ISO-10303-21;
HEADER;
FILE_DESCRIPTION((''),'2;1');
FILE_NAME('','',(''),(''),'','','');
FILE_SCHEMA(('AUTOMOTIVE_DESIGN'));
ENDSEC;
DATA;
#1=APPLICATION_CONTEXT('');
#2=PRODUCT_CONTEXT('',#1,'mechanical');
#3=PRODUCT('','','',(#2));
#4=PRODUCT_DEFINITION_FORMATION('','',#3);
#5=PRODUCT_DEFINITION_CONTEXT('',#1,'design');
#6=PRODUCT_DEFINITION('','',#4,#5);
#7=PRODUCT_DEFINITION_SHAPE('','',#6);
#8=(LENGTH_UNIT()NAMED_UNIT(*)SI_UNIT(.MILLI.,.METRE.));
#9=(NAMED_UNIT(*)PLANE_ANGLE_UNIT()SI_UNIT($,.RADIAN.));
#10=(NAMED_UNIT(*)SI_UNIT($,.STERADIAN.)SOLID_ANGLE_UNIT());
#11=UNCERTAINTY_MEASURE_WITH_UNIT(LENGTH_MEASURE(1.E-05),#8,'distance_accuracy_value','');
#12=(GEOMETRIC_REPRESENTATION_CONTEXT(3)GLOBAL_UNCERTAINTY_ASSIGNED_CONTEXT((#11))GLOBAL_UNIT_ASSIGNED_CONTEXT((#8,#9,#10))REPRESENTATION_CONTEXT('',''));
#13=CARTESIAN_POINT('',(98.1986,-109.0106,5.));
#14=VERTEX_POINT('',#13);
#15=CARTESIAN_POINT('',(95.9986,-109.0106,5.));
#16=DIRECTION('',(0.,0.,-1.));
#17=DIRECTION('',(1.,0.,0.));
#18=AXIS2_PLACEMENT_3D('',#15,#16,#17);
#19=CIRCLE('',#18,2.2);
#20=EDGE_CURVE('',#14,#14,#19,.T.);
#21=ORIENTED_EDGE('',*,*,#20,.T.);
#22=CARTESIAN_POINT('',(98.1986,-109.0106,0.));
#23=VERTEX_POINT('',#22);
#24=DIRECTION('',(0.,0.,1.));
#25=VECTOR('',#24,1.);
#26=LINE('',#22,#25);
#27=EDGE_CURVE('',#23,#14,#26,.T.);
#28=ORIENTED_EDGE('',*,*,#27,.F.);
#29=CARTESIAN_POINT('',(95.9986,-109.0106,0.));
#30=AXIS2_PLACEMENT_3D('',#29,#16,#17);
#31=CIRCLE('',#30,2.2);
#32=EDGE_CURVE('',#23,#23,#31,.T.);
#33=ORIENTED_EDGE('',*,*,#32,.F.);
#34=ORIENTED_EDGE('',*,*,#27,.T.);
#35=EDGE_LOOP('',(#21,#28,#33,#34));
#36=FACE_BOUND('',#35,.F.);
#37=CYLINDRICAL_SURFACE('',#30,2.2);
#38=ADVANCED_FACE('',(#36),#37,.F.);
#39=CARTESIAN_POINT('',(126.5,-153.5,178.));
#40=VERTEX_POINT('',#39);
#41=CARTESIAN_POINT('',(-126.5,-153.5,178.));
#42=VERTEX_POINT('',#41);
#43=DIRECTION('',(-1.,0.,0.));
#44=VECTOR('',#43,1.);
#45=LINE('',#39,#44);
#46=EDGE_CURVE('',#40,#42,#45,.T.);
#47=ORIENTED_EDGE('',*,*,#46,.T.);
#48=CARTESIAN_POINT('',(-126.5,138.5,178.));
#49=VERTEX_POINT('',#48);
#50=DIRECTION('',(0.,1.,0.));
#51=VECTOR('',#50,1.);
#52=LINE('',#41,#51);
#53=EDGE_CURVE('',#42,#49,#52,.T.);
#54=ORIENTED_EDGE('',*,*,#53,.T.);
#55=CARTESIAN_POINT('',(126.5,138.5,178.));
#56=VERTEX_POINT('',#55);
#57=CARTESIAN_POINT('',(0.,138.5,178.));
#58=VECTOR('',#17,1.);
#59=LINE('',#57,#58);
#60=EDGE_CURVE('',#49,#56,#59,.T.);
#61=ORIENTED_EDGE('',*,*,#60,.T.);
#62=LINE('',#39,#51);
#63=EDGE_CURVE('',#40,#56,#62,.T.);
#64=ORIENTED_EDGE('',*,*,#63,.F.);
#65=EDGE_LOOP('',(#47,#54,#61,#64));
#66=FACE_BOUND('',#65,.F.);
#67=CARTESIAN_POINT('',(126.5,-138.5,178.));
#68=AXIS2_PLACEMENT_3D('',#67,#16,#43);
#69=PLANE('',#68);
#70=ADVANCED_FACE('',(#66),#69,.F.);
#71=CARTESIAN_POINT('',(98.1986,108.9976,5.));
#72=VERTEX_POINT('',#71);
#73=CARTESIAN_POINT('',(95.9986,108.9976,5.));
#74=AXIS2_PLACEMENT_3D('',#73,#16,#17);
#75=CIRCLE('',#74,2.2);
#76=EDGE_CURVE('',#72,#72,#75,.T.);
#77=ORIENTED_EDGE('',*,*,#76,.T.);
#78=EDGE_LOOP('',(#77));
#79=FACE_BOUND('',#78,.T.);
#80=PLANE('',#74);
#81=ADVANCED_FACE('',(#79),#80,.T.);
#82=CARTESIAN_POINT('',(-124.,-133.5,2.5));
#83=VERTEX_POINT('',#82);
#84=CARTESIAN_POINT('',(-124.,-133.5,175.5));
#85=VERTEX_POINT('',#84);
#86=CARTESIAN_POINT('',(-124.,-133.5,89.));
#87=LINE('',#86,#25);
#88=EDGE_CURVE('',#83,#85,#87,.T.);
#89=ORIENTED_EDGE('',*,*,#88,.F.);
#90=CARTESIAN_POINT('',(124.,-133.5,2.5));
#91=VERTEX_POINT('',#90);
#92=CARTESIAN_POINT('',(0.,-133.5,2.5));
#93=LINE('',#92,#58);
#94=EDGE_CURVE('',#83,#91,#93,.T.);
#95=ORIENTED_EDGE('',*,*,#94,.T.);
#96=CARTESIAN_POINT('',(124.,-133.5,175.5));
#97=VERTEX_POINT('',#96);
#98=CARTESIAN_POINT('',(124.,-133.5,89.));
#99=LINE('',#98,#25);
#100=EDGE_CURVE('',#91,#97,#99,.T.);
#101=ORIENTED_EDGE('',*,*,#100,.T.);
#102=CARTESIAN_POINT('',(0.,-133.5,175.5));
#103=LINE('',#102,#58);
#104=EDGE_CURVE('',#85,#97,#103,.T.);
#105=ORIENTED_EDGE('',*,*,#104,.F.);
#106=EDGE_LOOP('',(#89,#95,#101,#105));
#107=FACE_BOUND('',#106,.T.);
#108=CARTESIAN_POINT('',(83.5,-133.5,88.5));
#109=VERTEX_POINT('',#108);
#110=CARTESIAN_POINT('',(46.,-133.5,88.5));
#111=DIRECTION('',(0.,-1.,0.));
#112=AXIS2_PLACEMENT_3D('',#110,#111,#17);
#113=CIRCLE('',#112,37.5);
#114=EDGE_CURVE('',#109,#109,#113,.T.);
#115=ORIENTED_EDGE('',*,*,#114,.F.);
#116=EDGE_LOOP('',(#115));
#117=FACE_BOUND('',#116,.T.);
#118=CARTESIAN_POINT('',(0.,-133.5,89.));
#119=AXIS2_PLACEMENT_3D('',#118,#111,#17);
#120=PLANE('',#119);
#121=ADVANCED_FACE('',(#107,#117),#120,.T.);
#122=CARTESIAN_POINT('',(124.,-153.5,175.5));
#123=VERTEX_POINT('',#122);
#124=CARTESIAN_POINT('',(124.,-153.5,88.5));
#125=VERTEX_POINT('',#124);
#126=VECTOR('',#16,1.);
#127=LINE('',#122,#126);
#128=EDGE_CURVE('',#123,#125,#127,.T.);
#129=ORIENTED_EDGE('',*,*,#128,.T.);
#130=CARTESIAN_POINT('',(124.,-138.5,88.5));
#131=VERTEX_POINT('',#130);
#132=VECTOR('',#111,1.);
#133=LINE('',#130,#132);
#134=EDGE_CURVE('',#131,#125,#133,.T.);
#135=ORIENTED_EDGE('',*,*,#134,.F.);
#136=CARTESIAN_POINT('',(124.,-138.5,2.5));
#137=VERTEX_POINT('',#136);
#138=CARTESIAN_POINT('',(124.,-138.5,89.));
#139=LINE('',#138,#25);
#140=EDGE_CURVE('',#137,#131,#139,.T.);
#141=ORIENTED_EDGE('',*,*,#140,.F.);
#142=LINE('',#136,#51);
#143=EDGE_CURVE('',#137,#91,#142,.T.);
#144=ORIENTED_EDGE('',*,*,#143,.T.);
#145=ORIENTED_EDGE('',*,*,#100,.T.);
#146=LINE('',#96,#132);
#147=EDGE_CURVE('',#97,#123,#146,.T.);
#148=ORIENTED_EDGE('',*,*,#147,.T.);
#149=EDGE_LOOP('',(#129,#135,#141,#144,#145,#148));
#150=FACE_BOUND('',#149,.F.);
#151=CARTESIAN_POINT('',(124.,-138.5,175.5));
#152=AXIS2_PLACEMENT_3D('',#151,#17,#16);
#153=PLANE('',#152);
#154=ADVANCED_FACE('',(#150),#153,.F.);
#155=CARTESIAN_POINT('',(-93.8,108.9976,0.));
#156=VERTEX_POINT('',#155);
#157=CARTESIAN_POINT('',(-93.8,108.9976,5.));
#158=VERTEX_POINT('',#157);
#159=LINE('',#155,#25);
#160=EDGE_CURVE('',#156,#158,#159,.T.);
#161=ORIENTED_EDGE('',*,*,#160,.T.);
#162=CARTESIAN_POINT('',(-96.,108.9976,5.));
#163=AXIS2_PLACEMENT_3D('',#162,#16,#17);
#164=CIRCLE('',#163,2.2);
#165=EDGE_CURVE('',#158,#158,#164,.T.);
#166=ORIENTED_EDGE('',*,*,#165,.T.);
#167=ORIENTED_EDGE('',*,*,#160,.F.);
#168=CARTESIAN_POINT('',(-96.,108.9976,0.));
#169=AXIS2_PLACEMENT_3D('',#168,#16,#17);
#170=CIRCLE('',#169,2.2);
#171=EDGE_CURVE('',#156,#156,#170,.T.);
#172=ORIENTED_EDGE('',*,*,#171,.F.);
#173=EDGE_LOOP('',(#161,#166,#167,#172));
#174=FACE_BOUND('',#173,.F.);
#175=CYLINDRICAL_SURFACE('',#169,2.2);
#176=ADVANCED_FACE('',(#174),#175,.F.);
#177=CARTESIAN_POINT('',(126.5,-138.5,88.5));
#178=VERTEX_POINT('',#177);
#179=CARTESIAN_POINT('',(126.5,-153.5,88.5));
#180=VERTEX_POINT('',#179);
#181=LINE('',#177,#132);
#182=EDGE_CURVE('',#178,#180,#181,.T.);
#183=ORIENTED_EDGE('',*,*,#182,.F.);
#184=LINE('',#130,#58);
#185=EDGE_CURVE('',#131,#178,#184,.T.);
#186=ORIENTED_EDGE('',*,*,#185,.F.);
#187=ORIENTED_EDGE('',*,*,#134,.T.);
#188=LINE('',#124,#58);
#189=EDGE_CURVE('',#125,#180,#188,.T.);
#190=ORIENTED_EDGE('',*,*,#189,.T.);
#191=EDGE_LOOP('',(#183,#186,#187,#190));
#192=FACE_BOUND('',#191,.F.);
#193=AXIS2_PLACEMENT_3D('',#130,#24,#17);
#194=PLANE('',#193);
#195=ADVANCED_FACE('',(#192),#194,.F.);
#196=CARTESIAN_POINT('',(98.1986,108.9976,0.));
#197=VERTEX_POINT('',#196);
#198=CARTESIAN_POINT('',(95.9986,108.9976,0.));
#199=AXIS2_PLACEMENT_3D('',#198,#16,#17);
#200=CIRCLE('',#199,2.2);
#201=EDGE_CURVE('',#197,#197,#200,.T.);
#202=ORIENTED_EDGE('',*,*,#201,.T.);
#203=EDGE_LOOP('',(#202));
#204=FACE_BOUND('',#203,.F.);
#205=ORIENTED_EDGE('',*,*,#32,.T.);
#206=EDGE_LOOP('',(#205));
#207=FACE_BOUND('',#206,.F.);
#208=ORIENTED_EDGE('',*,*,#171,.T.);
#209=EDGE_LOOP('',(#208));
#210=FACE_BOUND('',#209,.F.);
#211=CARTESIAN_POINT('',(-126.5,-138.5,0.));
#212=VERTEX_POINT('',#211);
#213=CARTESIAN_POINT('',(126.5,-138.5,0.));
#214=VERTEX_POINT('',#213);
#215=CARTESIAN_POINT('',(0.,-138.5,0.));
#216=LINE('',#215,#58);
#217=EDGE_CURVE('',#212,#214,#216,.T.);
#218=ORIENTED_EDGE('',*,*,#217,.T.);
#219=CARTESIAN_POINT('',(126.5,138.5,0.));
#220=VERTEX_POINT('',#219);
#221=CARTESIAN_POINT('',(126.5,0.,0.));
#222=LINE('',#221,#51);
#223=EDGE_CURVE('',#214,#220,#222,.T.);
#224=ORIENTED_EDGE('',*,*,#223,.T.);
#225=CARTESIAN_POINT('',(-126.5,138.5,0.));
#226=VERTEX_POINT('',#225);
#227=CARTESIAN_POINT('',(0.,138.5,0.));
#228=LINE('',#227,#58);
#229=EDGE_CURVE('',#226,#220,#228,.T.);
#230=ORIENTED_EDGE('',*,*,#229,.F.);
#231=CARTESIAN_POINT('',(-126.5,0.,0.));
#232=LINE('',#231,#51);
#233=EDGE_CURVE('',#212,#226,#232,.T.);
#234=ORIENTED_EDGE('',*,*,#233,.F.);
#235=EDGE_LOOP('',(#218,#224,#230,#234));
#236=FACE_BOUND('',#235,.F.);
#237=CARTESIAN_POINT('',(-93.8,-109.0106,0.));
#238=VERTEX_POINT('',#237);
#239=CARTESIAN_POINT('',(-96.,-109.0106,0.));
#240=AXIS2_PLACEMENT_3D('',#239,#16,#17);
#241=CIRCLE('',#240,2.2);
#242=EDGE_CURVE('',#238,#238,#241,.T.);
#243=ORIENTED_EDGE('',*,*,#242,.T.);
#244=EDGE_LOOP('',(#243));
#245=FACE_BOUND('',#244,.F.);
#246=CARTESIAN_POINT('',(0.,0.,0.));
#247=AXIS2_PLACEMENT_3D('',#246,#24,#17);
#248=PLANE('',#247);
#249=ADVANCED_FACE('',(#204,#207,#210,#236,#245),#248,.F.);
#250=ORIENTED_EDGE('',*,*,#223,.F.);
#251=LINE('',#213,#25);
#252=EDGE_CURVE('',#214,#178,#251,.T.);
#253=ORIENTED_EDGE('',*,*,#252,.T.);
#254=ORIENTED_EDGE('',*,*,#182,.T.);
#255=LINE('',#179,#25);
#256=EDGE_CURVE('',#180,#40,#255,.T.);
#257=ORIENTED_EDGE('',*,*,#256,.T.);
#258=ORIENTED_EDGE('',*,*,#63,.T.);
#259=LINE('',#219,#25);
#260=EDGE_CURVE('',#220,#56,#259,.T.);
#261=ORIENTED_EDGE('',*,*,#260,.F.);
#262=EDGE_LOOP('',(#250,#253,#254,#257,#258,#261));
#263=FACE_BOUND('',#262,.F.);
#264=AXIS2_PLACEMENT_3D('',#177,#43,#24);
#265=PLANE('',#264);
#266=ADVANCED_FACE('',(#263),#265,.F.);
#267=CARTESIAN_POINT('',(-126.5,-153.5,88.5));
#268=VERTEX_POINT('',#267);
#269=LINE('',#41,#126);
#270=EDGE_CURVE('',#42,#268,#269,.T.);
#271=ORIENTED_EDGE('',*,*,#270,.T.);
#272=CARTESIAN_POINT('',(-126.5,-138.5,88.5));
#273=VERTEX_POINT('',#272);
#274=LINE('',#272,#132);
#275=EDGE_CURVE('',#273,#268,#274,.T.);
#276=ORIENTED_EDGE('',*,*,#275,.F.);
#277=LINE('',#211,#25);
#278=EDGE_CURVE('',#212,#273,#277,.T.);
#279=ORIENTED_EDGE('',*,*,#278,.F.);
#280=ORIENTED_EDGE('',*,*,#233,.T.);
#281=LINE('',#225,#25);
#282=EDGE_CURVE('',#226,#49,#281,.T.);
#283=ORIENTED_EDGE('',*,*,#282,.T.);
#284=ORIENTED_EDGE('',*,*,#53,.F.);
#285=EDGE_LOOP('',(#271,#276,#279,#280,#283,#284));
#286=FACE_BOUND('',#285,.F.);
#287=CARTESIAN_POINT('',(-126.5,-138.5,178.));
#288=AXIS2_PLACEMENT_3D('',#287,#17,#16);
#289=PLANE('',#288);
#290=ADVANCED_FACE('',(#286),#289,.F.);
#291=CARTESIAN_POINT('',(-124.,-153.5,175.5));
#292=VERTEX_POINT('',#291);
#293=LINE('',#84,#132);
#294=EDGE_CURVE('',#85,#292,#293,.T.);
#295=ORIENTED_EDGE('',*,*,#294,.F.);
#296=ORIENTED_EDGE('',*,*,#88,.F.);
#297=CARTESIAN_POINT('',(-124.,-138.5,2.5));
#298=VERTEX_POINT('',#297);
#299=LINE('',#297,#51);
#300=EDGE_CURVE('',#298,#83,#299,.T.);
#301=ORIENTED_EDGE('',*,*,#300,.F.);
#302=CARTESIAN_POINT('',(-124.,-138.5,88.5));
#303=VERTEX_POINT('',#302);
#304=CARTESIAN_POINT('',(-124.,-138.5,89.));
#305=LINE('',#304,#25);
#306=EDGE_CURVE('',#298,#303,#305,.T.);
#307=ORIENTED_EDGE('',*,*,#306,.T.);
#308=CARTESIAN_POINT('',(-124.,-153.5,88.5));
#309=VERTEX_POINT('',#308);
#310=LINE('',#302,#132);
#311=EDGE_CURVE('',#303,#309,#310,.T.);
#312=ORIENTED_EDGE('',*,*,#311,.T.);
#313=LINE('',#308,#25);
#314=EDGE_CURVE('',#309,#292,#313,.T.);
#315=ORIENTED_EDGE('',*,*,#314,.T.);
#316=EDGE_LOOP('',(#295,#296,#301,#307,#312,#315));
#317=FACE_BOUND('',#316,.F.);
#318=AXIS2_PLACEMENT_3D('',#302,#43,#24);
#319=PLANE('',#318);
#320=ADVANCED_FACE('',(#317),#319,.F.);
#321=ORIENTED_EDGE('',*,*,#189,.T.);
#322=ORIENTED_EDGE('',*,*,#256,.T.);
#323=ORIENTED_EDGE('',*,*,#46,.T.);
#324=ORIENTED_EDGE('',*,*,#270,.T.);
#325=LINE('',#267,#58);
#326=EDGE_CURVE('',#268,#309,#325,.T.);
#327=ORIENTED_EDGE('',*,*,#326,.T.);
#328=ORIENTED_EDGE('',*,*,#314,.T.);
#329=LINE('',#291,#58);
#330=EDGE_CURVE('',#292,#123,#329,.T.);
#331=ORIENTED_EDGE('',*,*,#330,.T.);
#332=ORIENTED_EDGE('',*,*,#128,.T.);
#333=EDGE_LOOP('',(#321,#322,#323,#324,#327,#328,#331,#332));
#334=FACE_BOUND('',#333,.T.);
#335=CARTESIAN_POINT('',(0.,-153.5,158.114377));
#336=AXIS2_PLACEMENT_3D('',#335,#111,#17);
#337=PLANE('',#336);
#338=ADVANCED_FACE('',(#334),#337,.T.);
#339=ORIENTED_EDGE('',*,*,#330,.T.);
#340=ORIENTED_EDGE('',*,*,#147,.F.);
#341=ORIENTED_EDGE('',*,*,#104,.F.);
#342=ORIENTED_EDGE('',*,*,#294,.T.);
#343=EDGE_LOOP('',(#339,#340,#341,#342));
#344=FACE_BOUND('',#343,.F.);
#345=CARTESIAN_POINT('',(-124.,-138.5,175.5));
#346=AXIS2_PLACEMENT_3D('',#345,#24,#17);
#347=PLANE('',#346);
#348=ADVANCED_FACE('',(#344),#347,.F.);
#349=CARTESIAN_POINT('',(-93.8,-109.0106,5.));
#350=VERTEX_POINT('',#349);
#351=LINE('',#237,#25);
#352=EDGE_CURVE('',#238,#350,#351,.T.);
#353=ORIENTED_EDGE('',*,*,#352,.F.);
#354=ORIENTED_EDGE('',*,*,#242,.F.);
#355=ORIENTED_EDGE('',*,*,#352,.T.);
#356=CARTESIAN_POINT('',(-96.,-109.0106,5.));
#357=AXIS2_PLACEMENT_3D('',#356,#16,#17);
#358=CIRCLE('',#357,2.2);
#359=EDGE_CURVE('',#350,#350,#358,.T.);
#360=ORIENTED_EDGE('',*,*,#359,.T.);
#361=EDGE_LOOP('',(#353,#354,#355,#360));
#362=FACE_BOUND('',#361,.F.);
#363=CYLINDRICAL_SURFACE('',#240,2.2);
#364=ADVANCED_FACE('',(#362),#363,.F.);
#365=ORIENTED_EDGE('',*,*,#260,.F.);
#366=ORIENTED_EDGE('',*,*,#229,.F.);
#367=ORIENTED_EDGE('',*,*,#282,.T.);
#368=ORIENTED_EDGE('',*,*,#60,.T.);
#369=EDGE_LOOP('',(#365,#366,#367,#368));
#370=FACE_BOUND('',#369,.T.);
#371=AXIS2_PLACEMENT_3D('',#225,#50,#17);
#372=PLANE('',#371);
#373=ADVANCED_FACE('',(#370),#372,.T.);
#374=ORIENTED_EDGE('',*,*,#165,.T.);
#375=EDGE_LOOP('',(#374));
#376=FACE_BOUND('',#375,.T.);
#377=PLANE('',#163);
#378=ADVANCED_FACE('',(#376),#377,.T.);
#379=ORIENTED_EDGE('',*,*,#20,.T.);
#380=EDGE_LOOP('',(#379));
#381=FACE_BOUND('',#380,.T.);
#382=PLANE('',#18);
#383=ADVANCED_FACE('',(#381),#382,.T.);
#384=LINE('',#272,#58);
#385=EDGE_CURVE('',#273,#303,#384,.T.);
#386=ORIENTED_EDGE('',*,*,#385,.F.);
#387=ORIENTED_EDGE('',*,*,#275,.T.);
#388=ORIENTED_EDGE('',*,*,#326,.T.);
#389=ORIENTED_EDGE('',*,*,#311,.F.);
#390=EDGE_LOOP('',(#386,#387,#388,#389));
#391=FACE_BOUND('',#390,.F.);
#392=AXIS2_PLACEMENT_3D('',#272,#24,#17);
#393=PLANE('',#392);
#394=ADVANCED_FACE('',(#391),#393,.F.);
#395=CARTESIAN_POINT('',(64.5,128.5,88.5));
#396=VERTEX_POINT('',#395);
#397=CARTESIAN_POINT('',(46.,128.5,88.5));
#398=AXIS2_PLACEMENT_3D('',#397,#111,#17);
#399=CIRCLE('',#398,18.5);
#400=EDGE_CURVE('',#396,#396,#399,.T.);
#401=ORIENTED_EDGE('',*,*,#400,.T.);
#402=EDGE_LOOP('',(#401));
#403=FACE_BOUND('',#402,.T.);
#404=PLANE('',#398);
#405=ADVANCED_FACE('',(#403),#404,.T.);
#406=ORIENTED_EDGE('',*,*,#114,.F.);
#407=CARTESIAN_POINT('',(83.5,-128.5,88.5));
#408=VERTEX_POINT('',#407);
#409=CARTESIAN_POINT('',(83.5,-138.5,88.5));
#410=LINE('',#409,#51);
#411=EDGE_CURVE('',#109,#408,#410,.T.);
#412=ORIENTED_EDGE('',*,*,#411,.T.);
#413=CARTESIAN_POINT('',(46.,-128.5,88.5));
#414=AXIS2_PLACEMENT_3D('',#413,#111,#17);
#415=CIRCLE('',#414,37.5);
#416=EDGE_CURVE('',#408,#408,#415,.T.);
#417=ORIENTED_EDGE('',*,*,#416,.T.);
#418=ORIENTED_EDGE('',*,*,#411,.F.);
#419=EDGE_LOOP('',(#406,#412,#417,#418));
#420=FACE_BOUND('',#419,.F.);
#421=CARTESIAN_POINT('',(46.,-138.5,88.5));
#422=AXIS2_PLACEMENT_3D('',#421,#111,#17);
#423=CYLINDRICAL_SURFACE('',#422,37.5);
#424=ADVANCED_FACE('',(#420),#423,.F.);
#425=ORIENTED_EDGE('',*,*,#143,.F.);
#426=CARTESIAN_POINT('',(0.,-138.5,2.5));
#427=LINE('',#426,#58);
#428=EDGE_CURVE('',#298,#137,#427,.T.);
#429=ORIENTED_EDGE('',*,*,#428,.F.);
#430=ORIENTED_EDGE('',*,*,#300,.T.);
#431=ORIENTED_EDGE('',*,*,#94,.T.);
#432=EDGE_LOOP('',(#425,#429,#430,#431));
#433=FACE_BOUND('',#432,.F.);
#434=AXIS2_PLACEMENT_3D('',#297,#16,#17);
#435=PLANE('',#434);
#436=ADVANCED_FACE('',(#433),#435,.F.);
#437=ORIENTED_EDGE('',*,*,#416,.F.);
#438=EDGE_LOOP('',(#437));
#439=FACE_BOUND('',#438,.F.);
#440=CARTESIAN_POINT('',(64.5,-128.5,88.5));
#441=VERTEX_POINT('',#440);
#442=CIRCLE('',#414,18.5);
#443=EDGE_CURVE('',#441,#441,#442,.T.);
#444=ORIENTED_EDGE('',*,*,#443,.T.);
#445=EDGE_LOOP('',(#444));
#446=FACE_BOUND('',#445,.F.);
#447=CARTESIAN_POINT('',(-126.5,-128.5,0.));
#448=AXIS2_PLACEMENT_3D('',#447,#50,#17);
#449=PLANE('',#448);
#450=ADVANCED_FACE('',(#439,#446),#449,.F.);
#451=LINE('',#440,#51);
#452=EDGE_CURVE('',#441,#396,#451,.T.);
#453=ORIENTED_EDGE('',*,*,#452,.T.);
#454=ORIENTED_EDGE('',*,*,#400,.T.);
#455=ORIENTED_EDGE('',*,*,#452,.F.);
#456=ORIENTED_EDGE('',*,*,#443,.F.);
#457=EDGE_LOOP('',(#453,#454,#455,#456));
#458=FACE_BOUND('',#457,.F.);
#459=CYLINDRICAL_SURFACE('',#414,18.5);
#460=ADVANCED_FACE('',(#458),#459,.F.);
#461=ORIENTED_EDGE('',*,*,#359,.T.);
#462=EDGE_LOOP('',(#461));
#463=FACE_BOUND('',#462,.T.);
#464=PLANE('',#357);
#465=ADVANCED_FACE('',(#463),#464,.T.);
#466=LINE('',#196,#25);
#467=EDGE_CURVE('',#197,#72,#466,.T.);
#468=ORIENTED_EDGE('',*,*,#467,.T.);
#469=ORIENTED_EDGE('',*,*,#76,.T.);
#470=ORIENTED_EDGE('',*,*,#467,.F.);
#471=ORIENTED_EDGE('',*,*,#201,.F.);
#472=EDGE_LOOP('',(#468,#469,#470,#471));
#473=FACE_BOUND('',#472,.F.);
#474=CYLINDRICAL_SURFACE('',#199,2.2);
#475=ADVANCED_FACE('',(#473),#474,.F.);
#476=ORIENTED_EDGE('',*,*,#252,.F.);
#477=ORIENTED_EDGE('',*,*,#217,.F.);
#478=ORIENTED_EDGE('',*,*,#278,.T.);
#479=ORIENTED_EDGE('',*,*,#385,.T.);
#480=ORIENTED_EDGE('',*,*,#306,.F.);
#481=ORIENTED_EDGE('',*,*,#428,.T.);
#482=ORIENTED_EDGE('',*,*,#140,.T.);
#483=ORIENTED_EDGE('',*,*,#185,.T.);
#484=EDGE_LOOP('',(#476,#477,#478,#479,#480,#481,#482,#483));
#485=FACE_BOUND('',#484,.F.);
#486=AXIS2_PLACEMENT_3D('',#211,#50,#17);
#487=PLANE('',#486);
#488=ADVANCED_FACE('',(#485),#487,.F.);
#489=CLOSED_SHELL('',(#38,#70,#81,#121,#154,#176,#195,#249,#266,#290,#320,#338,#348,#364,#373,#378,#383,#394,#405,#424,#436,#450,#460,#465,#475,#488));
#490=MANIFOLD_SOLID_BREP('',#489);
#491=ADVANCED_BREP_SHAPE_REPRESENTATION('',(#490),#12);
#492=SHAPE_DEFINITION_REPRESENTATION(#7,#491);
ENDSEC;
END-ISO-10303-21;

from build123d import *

# Parameters (mm, degrees)
F0_W      = 253
F0_H      = 277
F1_DEPTH  = 178
F2_W      = 248
F2_H      = 173
F2_R      = 37.5
F3_DEPTH  = 5
F5_DEPTH  = 15
F6_DEPTH  = 10
F7_R      = 18.5
F8_DEPTH  = 257
F9_R      = 2.2
F10_DEPTH = 5


with BuildPart() as f1:
    # F0 (on Top) → F1 (new body)
    with BuildSketch(Plane.XY):
        Rectangle(F0_W, F0_H)
    extrude(amount=F1_DEPTH)

    # F2 (on face) → F3 (cut)
    with BuildSketch(Plane.XZ.offset(138.5)):
        with Locations((0, 89)):
            Rectangle(F2_W, F2_H)
        with Locations((46, 88.5)):
            Circle(F2_R, mode=Mode.SUBTRACT)
    extrude(amount=-F3_DEPTH, mode=Mode.SUBTRACT)

    # F4 (on face) → F5 (join)
    with BuildSketch(Plane.XZ.offset(138.5)):
        Polygon((-126.5, 178), (-126.5, 88.5), (-124, 88.5), (-124, 175.5), (124, 175.5), (124, 88.5), (126.5, 88.5), (126.5, 178), align=None)
    extrude(amount=F5_DEPTH)

    # F6 (cut): a face of the model
    f6_faces = [f1.faces().sort_by_distance(p)[0] for p in [
        (46, -138.5, 88.5),
    ]]
    extrude(f6_faces, amount=-F6_DEPTH, mode=Mode.SUBTRACT)

    # F7 (on face) → F8 (cut)
    with BuildSketch(Plane.XZ.offset(128.5)):
        with Locations((46, 88.5)):
            Circle(F7_R)
    extrude(amount=-F8_DEPTH, mode=Mode.SUBTRACT)

    # F9 (on face) → F10 (cut)
    with BuildSketch(Plane(origin=(0, 0, 0), x_dir=(1, 0, 0), z_dir=(0, 0, -1))):
        with Locations((-96, 109.0106)):
            Circle(F9_R)
        with Locations((95.9986, 109.0106)):
            Circle(F9_R)
        with Locations((-96, -108.9976)):
            Circle(F9_R)
        with Locations((95.9986, -108.9976)):
            Circle(F9_R)
    extrude(amount=-F10_DEPTH, mode=Mode.SUBTRACT)


solid = f1.part
